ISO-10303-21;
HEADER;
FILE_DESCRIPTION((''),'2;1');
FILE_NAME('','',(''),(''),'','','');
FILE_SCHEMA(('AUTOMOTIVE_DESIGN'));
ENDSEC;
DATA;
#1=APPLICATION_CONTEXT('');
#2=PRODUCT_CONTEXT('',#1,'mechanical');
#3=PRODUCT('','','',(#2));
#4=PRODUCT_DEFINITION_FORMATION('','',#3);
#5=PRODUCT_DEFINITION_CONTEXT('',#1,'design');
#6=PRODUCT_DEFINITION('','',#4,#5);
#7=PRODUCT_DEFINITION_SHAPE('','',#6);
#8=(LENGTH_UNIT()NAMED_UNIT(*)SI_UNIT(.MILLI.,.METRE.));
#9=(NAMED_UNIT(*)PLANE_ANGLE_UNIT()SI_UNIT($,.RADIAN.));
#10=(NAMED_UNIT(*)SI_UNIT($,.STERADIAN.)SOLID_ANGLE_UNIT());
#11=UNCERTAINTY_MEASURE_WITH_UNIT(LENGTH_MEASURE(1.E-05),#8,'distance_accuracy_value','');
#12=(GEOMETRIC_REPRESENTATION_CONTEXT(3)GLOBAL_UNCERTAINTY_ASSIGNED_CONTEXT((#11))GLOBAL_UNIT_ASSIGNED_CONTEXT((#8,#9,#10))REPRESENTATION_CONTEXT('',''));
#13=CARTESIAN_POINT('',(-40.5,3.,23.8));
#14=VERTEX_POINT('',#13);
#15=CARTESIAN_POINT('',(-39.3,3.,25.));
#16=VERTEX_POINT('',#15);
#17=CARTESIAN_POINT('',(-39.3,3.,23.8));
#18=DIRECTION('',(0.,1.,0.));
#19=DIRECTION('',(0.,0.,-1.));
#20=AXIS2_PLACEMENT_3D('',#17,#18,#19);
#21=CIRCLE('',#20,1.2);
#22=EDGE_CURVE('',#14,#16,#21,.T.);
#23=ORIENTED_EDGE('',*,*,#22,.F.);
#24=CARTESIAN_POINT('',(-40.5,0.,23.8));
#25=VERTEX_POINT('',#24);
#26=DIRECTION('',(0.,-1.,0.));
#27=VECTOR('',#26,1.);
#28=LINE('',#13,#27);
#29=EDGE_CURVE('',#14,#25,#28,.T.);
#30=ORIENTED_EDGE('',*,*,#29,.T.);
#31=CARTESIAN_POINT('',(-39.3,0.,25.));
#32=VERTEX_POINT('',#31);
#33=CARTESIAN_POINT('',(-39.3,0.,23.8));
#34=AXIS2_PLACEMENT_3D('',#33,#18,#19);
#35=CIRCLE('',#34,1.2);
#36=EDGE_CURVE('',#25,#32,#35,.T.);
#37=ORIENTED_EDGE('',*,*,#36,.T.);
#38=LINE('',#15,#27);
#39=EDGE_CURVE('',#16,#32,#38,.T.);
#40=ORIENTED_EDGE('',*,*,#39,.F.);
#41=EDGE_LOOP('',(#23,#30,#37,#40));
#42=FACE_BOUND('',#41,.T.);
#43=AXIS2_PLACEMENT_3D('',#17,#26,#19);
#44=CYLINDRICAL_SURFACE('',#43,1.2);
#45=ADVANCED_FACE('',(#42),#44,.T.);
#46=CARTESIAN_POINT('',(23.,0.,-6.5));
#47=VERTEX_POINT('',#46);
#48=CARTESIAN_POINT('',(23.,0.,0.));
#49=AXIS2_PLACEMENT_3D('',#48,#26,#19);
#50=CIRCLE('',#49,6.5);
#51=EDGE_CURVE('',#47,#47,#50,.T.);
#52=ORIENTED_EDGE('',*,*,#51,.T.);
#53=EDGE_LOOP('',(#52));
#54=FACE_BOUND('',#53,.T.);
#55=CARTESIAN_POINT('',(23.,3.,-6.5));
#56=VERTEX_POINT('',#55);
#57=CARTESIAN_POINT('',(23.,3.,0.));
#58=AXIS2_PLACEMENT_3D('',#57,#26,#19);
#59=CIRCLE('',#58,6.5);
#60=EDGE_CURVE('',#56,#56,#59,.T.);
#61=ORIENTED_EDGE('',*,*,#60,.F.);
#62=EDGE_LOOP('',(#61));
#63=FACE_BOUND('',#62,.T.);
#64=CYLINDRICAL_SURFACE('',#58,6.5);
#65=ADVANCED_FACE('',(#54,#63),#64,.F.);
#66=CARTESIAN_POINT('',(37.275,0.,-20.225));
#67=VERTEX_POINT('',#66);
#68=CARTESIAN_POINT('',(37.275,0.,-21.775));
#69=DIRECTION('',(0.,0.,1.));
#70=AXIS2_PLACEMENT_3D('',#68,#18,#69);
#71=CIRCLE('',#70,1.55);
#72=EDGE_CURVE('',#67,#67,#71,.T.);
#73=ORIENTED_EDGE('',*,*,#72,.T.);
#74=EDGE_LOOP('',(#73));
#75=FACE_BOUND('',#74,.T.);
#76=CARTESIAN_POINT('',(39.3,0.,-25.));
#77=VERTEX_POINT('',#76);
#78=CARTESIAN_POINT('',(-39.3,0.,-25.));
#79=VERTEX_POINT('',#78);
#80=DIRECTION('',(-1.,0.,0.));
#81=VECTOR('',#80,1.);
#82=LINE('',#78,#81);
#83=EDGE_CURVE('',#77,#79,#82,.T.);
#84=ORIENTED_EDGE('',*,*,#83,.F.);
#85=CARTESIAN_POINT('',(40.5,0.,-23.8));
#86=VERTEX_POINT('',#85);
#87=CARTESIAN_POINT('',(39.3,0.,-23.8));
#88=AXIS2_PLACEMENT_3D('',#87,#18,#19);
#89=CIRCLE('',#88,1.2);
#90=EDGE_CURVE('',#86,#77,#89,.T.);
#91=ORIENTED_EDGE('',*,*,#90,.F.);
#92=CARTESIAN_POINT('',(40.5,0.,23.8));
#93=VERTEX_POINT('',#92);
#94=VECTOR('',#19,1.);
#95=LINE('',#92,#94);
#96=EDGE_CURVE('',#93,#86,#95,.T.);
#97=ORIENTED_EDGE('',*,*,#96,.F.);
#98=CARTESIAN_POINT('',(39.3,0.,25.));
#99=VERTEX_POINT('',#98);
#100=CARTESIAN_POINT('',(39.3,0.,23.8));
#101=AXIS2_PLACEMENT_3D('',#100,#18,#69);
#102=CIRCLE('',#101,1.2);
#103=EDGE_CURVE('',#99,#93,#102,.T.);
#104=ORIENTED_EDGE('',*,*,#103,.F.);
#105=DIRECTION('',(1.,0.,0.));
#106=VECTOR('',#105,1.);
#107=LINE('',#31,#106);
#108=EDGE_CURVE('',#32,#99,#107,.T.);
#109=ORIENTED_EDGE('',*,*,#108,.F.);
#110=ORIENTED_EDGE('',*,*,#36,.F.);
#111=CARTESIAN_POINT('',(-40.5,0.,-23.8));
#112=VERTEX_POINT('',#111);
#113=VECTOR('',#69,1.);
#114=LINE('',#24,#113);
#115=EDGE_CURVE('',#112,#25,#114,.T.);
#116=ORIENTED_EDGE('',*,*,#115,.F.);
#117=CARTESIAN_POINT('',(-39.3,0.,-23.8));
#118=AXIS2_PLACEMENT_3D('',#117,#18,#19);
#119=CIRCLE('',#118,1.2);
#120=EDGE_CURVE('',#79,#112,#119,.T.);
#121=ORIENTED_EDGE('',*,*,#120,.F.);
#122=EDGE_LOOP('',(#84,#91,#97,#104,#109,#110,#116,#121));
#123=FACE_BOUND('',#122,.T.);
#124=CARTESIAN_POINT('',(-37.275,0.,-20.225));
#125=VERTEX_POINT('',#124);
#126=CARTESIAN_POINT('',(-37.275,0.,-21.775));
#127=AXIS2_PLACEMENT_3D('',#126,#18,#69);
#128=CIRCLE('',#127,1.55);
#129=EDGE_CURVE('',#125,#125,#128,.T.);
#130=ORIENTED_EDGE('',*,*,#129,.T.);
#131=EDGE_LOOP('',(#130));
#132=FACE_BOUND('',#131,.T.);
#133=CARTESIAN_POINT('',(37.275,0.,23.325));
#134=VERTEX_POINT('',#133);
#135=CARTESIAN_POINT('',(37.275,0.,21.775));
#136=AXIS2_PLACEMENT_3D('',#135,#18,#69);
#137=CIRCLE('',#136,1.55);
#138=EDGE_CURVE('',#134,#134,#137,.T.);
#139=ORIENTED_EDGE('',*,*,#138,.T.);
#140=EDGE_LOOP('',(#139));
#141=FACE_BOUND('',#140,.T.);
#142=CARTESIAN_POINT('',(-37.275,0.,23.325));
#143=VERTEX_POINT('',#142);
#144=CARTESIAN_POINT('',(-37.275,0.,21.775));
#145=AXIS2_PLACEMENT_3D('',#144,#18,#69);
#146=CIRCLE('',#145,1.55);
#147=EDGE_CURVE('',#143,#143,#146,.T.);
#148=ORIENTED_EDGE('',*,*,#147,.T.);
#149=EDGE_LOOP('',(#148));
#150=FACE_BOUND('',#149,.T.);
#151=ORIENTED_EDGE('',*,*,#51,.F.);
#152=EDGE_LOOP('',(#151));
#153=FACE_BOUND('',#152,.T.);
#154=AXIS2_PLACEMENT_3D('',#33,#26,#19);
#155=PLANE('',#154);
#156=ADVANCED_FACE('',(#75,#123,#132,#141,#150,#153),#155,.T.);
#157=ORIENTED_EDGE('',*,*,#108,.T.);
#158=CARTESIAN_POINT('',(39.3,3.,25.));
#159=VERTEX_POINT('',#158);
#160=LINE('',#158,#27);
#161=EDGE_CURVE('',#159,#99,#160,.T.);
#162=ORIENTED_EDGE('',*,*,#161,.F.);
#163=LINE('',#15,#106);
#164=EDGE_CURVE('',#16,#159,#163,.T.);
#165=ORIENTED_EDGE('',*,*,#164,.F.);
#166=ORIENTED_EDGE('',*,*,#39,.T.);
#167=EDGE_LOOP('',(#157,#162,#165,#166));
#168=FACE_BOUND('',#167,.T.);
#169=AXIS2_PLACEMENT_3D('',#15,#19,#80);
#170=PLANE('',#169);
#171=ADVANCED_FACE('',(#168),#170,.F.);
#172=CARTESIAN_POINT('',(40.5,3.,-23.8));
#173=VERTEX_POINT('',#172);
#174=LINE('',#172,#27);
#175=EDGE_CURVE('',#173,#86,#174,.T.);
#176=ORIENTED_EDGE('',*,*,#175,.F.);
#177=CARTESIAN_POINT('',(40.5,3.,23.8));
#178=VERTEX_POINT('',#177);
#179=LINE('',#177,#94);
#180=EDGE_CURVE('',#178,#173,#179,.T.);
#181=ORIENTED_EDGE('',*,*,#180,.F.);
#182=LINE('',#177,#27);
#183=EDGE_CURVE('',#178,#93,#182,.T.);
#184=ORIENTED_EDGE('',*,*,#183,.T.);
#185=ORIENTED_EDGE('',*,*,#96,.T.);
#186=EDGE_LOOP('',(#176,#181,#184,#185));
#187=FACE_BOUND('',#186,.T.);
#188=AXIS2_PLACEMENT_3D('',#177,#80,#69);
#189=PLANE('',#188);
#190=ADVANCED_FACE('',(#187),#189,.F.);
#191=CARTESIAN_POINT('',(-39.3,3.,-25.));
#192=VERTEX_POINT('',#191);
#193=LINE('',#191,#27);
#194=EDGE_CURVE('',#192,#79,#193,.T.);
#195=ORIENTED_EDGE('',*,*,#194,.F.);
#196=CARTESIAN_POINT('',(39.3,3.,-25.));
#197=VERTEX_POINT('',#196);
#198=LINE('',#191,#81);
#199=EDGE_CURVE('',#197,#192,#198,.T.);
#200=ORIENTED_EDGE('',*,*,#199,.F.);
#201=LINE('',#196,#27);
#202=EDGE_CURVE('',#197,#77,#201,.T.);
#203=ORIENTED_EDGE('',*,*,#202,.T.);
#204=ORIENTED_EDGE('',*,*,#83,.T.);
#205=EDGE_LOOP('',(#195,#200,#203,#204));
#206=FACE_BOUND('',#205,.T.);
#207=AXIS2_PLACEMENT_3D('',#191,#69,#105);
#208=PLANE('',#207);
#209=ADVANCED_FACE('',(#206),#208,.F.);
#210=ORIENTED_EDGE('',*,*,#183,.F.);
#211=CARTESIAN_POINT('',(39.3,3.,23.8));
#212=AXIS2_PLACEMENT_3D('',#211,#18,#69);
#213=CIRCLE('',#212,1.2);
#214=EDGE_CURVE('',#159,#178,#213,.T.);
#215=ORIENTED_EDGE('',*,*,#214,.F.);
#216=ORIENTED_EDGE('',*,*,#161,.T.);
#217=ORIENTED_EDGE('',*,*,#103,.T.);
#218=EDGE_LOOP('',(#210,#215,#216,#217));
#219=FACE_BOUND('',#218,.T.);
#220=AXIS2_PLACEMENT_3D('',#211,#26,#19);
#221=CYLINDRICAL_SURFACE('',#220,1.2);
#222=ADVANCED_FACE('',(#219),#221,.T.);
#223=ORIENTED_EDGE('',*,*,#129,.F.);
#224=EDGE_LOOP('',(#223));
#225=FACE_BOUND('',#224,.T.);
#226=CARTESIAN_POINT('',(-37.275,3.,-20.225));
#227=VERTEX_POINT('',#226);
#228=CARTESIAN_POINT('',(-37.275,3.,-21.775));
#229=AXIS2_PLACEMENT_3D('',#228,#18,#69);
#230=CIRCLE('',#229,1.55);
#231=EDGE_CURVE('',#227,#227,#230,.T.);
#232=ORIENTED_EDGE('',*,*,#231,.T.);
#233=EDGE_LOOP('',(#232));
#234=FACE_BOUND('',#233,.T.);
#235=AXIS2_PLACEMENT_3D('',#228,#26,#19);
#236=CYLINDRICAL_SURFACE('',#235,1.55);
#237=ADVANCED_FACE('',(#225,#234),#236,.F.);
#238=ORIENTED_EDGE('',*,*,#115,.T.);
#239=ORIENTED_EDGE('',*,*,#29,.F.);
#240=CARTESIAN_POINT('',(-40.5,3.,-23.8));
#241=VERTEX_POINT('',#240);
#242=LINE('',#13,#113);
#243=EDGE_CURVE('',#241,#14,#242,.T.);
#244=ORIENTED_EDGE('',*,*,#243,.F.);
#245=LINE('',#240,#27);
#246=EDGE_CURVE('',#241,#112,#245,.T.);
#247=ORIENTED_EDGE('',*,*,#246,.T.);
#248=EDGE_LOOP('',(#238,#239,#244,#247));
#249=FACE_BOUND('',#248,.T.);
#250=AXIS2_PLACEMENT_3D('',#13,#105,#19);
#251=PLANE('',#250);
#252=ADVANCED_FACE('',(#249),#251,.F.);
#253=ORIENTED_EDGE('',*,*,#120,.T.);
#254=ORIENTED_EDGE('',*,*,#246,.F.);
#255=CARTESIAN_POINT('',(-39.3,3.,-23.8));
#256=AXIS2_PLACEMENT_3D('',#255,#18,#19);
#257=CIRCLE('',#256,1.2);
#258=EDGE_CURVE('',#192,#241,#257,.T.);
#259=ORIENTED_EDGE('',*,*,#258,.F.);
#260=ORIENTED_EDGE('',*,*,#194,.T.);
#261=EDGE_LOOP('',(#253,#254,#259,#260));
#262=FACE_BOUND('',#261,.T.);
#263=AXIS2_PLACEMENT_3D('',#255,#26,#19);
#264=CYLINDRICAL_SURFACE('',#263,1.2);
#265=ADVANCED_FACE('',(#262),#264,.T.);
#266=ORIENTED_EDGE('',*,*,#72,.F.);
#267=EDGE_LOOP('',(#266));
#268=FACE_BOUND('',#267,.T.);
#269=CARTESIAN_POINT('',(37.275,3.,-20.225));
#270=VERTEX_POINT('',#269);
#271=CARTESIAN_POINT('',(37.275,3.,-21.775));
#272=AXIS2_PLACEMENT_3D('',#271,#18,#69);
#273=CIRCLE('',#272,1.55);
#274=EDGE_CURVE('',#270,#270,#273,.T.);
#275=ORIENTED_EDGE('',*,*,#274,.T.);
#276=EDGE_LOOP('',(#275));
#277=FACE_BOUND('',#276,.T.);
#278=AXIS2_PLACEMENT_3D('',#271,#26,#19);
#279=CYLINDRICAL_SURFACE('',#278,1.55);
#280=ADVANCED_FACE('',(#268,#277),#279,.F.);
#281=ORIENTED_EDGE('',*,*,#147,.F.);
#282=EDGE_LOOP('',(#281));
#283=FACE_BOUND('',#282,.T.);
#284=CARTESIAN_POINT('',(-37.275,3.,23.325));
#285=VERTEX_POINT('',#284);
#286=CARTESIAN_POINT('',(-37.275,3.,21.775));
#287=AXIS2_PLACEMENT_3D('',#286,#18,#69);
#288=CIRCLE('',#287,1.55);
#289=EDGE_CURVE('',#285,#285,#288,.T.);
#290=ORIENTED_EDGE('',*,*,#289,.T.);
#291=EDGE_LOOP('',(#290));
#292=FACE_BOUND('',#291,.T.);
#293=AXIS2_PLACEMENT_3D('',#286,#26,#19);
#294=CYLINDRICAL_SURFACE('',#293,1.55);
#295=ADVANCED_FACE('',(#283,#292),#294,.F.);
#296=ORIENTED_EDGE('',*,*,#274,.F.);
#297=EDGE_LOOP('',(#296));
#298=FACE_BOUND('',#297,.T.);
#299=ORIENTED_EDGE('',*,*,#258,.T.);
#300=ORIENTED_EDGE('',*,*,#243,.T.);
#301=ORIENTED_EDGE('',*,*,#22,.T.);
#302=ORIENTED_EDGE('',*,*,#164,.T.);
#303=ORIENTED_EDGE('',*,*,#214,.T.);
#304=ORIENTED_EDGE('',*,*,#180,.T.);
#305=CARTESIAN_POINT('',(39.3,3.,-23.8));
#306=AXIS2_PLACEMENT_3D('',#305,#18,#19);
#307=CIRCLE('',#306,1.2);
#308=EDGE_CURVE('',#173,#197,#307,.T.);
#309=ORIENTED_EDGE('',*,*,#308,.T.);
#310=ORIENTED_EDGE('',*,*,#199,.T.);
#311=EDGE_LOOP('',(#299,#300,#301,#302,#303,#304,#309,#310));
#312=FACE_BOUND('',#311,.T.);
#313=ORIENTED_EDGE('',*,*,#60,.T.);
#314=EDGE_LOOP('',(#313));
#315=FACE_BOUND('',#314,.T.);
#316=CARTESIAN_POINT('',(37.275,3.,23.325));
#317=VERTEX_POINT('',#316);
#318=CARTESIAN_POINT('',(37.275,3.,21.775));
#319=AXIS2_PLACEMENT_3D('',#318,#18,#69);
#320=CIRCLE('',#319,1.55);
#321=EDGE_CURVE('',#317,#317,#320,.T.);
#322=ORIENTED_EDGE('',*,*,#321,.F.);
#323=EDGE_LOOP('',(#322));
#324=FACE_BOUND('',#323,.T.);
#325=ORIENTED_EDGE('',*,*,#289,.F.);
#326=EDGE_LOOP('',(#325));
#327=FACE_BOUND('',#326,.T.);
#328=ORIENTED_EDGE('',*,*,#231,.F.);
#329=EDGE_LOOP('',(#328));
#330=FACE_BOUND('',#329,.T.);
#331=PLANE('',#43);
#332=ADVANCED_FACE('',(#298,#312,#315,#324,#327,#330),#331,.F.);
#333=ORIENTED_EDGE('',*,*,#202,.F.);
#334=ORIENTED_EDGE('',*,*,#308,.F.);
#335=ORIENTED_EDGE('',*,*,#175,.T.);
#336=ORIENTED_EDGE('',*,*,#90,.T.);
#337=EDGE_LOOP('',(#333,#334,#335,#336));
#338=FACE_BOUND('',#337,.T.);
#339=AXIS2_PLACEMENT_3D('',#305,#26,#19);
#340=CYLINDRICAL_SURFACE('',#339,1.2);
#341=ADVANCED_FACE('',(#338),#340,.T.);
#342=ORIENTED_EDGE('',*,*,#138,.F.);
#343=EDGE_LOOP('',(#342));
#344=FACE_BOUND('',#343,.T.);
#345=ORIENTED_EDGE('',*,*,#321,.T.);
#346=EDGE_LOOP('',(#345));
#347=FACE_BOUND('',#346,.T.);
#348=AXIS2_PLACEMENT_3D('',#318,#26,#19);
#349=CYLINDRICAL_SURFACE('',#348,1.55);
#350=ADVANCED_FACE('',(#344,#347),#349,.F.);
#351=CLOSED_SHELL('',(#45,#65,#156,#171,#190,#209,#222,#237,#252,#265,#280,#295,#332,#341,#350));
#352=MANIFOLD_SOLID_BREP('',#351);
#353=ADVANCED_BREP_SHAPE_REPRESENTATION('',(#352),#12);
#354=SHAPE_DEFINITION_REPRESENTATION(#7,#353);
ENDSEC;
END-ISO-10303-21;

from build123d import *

# Parameters (mm, degrees)
SKETCH_1_R          = 1.55
EXTRUDE_1_DEPTH     = 3
SKETCH_2_R          = 6.5
CUT_EXTRUDE_1_DEPTH = 48.689097286


with BuildPart() as part:
    # 草圖1 → 填料-伸長1 (new body)
    with BuildSketch(Plane(origin=(0, 0, 0), x_dir=(1, 0, 0), z_dir=(0, 1, 0))):
        with BuildLine():
            Line((-39.3, -25), (39.3, -25))
            ThreePointArc((39.3, -25), (40.148528137, -24.648528137), (40.5, -23.8))
            Line((40.5, -23.8), (40.5, 23.8))
            ThreePointArc((40.5, 23.8), (40.148528137, 24.648528137), (39.3, 25))
            Line((39.3, 25), (-39.3, 25))
            ThreePointArc((-39.3, 25), (-40.148528137, 24.648528137), (-40.5, 23.8))
            Line((-40.5, 23.8), (-40.5, -23.8))
            ThreePointArc((-40.5, -23.8), (-40.148528137, -24.648528137), (-39.3, -25))
        make_face()
        with Locations(Location((-37.275, 21.775, 0), (0, 0, 270))):
            Circle(SKETCH_1_R, mode=Mode.SUBTRACT)
        with Locations(Location((37.275, 21.775, 0), (0, 0, 270))):
            Circle(SKETCH_1_R, mode=Mode.SUBTRACT)
        with Locations(Location((37.275, -21.775, 0), (0, 0, 270))):
            Circle(SKETCH_1_R, mode=Mode.SUBTRACT)
        with Locations(Location((-37.275, -21.775, 0), (0, 0, 270))):
            Circle(SKETCH_1_R, mode=Mode.SUBTRACT)
    extrude(amount=EXTRUDE_1_DEPTH)

    # 草圖2 → 除料-伸長1 (cut, through all)
    with BuildSketch(Plane.XZ):
        with Locations(Location((23, 0, 0), (0, 0, 270))):
            Circle(SKETCH_2_R)
    extrude(amount=-CUT_EXTRUDE_1_DEPTH, mode=Mode.SUBTRACT)


solid = part.part
